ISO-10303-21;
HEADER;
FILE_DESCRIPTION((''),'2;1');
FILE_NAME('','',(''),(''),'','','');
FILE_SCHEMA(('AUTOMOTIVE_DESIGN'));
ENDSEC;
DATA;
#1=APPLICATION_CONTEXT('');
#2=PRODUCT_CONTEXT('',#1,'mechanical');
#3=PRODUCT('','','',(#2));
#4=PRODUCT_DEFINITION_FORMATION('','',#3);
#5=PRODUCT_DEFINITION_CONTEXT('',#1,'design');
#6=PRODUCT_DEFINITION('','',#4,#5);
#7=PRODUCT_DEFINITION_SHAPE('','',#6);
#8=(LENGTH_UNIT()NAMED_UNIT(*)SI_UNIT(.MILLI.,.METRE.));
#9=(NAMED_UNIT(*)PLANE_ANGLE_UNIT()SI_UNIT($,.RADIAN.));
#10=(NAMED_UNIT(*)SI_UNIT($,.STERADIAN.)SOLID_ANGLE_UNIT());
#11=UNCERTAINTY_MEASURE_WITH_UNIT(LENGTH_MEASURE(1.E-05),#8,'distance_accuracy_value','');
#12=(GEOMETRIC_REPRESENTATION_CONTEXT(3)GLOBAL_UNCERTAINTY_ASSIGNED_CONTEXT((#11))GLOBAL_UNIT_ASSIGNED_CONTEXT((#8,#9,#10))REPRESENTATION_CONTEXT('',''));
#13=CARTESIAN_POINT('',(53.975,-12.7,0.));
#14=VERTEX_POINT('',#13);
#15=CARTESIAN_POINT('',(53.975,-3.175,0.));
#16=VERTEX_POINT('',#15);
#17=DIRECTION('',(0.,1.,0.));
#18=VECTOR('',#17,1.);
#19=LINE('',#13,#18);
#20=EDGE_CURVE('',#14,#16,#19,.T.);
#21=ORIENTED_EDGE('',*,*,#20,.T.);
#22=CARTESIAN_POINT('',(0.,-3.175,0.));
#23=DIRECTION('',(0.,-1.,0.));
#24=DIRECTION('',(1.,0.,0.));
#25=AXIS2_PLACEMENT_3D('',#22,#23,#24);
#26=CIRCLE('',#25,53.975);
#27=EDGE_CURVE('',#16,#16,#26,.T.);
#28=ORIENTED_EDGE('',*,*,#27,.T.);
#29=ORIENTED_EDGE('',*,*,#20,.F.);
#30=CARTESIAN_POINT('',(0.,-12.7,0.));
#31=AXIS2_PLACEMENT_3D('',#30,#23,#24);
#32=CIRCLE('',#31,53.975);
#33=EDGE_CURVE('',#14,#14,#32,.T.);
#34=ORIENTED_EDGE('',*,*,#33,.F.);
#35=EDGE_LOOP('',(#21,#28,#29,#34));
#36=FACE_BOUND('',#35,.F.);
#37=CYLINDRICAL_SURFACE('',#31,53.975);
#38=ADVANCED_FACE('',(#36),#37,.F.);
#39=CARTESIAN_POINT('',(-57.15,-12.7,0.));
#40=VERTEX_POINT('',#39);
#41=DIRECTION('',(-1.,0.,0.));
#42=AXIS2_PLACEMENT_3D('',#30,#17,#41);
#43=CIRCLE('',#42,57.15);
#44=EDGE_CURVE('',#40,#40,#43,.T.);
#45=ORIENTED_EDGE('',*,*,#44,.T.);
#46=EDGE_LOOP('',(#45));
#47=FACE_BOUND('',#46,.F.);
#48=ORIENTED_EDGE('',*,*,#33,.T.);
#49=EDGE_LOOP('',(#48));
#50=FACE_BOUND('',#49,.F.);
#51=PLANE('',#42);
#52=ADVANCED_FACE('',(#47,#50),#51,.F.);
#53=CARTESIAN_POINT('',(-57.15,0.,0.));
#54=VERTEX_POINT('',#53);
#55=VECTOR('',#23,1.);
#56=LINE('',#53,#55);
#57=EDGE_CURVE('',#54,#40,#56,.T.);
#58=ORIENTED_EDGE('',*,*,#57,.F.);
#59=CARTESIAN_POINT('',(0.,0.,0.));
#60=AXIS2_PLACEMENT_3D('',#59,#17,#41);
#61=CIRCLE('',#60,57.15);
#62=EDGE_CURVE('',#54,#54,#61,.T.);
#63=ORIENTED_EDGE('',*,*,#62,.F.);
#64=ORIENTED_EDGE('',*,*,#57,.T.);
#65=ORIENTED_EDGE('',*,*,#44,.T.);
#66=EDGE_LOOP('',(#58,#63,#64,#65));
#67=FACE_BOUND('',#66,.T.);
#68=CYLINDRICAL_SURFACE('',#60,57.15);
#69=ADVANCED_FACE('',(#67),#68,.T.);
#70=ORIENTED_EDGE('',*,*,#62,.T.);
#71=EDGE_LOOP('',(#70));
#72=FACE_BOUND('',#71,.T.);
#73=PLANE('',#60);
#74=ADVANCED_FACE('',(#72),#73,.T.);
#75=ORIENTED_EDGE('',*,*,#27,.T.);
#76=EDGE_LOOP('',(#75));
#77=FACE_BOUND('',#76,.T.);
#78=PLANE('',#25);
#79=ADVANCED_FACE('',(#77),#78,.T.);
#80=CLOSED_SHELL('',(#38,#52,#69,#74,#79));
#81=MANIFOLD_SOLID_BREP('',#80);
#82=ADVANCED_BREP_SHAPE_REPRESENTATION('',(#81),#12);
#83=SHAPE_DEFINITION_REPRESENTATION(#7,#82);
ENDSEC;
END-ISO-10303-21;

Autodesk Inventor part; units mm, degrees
ref_plane "YZ Plane" through (0, 0, 0) normal (1, 0, 0) x (0, 1, 0)
ref_plane "XZ Plane" through (0, 0, 0) normal (0, 1, 0) x (-1, 0, 0)
sketch "Sketch1" plane through (0, 0, 0) normal (0, 1, 0) x (-1, 0, 0)
  circle A0 centre (0, 0) radius 57.15
  dimension "d0" = 114.3
extrude "Extrusion1" add sketch "Sketch1" against normal blind 12.7
sketch "Sketch2" plane through (0, -12.7, 0) normal (0, -1, 0) x (1, 0, 0)
  circle A0 centre (0, 0) radius 53.975
  dimension "d3" = 107.95
extrude "Extrusion2" cut sketch "Sketch2" against normal blind 9.525
ref_plane "Work Plane1" through (0, 0, -57.15) normal (0, 0, 1) x (1, 0, 0)
sketch "Sketch3" plane through (0, 0, -57.15) normal (0, 0, 1) x (1, 0, 0)
  point P0 (0, 0)
equation "\"d0\" = OutsideDiam"
equation "\"d1\" = Height"
equation "\"d3\" = InsideDiam"
equation "\"d4\" = Height - TopThickness"
equation "\"OutsideDiam\" = 114.3"
equation "\"InsideDiam\" = 107.95"
equation "\"Height\" = 12.7"
equation "\"TopThickness\" = 3.175"
properties part number "Lid"
